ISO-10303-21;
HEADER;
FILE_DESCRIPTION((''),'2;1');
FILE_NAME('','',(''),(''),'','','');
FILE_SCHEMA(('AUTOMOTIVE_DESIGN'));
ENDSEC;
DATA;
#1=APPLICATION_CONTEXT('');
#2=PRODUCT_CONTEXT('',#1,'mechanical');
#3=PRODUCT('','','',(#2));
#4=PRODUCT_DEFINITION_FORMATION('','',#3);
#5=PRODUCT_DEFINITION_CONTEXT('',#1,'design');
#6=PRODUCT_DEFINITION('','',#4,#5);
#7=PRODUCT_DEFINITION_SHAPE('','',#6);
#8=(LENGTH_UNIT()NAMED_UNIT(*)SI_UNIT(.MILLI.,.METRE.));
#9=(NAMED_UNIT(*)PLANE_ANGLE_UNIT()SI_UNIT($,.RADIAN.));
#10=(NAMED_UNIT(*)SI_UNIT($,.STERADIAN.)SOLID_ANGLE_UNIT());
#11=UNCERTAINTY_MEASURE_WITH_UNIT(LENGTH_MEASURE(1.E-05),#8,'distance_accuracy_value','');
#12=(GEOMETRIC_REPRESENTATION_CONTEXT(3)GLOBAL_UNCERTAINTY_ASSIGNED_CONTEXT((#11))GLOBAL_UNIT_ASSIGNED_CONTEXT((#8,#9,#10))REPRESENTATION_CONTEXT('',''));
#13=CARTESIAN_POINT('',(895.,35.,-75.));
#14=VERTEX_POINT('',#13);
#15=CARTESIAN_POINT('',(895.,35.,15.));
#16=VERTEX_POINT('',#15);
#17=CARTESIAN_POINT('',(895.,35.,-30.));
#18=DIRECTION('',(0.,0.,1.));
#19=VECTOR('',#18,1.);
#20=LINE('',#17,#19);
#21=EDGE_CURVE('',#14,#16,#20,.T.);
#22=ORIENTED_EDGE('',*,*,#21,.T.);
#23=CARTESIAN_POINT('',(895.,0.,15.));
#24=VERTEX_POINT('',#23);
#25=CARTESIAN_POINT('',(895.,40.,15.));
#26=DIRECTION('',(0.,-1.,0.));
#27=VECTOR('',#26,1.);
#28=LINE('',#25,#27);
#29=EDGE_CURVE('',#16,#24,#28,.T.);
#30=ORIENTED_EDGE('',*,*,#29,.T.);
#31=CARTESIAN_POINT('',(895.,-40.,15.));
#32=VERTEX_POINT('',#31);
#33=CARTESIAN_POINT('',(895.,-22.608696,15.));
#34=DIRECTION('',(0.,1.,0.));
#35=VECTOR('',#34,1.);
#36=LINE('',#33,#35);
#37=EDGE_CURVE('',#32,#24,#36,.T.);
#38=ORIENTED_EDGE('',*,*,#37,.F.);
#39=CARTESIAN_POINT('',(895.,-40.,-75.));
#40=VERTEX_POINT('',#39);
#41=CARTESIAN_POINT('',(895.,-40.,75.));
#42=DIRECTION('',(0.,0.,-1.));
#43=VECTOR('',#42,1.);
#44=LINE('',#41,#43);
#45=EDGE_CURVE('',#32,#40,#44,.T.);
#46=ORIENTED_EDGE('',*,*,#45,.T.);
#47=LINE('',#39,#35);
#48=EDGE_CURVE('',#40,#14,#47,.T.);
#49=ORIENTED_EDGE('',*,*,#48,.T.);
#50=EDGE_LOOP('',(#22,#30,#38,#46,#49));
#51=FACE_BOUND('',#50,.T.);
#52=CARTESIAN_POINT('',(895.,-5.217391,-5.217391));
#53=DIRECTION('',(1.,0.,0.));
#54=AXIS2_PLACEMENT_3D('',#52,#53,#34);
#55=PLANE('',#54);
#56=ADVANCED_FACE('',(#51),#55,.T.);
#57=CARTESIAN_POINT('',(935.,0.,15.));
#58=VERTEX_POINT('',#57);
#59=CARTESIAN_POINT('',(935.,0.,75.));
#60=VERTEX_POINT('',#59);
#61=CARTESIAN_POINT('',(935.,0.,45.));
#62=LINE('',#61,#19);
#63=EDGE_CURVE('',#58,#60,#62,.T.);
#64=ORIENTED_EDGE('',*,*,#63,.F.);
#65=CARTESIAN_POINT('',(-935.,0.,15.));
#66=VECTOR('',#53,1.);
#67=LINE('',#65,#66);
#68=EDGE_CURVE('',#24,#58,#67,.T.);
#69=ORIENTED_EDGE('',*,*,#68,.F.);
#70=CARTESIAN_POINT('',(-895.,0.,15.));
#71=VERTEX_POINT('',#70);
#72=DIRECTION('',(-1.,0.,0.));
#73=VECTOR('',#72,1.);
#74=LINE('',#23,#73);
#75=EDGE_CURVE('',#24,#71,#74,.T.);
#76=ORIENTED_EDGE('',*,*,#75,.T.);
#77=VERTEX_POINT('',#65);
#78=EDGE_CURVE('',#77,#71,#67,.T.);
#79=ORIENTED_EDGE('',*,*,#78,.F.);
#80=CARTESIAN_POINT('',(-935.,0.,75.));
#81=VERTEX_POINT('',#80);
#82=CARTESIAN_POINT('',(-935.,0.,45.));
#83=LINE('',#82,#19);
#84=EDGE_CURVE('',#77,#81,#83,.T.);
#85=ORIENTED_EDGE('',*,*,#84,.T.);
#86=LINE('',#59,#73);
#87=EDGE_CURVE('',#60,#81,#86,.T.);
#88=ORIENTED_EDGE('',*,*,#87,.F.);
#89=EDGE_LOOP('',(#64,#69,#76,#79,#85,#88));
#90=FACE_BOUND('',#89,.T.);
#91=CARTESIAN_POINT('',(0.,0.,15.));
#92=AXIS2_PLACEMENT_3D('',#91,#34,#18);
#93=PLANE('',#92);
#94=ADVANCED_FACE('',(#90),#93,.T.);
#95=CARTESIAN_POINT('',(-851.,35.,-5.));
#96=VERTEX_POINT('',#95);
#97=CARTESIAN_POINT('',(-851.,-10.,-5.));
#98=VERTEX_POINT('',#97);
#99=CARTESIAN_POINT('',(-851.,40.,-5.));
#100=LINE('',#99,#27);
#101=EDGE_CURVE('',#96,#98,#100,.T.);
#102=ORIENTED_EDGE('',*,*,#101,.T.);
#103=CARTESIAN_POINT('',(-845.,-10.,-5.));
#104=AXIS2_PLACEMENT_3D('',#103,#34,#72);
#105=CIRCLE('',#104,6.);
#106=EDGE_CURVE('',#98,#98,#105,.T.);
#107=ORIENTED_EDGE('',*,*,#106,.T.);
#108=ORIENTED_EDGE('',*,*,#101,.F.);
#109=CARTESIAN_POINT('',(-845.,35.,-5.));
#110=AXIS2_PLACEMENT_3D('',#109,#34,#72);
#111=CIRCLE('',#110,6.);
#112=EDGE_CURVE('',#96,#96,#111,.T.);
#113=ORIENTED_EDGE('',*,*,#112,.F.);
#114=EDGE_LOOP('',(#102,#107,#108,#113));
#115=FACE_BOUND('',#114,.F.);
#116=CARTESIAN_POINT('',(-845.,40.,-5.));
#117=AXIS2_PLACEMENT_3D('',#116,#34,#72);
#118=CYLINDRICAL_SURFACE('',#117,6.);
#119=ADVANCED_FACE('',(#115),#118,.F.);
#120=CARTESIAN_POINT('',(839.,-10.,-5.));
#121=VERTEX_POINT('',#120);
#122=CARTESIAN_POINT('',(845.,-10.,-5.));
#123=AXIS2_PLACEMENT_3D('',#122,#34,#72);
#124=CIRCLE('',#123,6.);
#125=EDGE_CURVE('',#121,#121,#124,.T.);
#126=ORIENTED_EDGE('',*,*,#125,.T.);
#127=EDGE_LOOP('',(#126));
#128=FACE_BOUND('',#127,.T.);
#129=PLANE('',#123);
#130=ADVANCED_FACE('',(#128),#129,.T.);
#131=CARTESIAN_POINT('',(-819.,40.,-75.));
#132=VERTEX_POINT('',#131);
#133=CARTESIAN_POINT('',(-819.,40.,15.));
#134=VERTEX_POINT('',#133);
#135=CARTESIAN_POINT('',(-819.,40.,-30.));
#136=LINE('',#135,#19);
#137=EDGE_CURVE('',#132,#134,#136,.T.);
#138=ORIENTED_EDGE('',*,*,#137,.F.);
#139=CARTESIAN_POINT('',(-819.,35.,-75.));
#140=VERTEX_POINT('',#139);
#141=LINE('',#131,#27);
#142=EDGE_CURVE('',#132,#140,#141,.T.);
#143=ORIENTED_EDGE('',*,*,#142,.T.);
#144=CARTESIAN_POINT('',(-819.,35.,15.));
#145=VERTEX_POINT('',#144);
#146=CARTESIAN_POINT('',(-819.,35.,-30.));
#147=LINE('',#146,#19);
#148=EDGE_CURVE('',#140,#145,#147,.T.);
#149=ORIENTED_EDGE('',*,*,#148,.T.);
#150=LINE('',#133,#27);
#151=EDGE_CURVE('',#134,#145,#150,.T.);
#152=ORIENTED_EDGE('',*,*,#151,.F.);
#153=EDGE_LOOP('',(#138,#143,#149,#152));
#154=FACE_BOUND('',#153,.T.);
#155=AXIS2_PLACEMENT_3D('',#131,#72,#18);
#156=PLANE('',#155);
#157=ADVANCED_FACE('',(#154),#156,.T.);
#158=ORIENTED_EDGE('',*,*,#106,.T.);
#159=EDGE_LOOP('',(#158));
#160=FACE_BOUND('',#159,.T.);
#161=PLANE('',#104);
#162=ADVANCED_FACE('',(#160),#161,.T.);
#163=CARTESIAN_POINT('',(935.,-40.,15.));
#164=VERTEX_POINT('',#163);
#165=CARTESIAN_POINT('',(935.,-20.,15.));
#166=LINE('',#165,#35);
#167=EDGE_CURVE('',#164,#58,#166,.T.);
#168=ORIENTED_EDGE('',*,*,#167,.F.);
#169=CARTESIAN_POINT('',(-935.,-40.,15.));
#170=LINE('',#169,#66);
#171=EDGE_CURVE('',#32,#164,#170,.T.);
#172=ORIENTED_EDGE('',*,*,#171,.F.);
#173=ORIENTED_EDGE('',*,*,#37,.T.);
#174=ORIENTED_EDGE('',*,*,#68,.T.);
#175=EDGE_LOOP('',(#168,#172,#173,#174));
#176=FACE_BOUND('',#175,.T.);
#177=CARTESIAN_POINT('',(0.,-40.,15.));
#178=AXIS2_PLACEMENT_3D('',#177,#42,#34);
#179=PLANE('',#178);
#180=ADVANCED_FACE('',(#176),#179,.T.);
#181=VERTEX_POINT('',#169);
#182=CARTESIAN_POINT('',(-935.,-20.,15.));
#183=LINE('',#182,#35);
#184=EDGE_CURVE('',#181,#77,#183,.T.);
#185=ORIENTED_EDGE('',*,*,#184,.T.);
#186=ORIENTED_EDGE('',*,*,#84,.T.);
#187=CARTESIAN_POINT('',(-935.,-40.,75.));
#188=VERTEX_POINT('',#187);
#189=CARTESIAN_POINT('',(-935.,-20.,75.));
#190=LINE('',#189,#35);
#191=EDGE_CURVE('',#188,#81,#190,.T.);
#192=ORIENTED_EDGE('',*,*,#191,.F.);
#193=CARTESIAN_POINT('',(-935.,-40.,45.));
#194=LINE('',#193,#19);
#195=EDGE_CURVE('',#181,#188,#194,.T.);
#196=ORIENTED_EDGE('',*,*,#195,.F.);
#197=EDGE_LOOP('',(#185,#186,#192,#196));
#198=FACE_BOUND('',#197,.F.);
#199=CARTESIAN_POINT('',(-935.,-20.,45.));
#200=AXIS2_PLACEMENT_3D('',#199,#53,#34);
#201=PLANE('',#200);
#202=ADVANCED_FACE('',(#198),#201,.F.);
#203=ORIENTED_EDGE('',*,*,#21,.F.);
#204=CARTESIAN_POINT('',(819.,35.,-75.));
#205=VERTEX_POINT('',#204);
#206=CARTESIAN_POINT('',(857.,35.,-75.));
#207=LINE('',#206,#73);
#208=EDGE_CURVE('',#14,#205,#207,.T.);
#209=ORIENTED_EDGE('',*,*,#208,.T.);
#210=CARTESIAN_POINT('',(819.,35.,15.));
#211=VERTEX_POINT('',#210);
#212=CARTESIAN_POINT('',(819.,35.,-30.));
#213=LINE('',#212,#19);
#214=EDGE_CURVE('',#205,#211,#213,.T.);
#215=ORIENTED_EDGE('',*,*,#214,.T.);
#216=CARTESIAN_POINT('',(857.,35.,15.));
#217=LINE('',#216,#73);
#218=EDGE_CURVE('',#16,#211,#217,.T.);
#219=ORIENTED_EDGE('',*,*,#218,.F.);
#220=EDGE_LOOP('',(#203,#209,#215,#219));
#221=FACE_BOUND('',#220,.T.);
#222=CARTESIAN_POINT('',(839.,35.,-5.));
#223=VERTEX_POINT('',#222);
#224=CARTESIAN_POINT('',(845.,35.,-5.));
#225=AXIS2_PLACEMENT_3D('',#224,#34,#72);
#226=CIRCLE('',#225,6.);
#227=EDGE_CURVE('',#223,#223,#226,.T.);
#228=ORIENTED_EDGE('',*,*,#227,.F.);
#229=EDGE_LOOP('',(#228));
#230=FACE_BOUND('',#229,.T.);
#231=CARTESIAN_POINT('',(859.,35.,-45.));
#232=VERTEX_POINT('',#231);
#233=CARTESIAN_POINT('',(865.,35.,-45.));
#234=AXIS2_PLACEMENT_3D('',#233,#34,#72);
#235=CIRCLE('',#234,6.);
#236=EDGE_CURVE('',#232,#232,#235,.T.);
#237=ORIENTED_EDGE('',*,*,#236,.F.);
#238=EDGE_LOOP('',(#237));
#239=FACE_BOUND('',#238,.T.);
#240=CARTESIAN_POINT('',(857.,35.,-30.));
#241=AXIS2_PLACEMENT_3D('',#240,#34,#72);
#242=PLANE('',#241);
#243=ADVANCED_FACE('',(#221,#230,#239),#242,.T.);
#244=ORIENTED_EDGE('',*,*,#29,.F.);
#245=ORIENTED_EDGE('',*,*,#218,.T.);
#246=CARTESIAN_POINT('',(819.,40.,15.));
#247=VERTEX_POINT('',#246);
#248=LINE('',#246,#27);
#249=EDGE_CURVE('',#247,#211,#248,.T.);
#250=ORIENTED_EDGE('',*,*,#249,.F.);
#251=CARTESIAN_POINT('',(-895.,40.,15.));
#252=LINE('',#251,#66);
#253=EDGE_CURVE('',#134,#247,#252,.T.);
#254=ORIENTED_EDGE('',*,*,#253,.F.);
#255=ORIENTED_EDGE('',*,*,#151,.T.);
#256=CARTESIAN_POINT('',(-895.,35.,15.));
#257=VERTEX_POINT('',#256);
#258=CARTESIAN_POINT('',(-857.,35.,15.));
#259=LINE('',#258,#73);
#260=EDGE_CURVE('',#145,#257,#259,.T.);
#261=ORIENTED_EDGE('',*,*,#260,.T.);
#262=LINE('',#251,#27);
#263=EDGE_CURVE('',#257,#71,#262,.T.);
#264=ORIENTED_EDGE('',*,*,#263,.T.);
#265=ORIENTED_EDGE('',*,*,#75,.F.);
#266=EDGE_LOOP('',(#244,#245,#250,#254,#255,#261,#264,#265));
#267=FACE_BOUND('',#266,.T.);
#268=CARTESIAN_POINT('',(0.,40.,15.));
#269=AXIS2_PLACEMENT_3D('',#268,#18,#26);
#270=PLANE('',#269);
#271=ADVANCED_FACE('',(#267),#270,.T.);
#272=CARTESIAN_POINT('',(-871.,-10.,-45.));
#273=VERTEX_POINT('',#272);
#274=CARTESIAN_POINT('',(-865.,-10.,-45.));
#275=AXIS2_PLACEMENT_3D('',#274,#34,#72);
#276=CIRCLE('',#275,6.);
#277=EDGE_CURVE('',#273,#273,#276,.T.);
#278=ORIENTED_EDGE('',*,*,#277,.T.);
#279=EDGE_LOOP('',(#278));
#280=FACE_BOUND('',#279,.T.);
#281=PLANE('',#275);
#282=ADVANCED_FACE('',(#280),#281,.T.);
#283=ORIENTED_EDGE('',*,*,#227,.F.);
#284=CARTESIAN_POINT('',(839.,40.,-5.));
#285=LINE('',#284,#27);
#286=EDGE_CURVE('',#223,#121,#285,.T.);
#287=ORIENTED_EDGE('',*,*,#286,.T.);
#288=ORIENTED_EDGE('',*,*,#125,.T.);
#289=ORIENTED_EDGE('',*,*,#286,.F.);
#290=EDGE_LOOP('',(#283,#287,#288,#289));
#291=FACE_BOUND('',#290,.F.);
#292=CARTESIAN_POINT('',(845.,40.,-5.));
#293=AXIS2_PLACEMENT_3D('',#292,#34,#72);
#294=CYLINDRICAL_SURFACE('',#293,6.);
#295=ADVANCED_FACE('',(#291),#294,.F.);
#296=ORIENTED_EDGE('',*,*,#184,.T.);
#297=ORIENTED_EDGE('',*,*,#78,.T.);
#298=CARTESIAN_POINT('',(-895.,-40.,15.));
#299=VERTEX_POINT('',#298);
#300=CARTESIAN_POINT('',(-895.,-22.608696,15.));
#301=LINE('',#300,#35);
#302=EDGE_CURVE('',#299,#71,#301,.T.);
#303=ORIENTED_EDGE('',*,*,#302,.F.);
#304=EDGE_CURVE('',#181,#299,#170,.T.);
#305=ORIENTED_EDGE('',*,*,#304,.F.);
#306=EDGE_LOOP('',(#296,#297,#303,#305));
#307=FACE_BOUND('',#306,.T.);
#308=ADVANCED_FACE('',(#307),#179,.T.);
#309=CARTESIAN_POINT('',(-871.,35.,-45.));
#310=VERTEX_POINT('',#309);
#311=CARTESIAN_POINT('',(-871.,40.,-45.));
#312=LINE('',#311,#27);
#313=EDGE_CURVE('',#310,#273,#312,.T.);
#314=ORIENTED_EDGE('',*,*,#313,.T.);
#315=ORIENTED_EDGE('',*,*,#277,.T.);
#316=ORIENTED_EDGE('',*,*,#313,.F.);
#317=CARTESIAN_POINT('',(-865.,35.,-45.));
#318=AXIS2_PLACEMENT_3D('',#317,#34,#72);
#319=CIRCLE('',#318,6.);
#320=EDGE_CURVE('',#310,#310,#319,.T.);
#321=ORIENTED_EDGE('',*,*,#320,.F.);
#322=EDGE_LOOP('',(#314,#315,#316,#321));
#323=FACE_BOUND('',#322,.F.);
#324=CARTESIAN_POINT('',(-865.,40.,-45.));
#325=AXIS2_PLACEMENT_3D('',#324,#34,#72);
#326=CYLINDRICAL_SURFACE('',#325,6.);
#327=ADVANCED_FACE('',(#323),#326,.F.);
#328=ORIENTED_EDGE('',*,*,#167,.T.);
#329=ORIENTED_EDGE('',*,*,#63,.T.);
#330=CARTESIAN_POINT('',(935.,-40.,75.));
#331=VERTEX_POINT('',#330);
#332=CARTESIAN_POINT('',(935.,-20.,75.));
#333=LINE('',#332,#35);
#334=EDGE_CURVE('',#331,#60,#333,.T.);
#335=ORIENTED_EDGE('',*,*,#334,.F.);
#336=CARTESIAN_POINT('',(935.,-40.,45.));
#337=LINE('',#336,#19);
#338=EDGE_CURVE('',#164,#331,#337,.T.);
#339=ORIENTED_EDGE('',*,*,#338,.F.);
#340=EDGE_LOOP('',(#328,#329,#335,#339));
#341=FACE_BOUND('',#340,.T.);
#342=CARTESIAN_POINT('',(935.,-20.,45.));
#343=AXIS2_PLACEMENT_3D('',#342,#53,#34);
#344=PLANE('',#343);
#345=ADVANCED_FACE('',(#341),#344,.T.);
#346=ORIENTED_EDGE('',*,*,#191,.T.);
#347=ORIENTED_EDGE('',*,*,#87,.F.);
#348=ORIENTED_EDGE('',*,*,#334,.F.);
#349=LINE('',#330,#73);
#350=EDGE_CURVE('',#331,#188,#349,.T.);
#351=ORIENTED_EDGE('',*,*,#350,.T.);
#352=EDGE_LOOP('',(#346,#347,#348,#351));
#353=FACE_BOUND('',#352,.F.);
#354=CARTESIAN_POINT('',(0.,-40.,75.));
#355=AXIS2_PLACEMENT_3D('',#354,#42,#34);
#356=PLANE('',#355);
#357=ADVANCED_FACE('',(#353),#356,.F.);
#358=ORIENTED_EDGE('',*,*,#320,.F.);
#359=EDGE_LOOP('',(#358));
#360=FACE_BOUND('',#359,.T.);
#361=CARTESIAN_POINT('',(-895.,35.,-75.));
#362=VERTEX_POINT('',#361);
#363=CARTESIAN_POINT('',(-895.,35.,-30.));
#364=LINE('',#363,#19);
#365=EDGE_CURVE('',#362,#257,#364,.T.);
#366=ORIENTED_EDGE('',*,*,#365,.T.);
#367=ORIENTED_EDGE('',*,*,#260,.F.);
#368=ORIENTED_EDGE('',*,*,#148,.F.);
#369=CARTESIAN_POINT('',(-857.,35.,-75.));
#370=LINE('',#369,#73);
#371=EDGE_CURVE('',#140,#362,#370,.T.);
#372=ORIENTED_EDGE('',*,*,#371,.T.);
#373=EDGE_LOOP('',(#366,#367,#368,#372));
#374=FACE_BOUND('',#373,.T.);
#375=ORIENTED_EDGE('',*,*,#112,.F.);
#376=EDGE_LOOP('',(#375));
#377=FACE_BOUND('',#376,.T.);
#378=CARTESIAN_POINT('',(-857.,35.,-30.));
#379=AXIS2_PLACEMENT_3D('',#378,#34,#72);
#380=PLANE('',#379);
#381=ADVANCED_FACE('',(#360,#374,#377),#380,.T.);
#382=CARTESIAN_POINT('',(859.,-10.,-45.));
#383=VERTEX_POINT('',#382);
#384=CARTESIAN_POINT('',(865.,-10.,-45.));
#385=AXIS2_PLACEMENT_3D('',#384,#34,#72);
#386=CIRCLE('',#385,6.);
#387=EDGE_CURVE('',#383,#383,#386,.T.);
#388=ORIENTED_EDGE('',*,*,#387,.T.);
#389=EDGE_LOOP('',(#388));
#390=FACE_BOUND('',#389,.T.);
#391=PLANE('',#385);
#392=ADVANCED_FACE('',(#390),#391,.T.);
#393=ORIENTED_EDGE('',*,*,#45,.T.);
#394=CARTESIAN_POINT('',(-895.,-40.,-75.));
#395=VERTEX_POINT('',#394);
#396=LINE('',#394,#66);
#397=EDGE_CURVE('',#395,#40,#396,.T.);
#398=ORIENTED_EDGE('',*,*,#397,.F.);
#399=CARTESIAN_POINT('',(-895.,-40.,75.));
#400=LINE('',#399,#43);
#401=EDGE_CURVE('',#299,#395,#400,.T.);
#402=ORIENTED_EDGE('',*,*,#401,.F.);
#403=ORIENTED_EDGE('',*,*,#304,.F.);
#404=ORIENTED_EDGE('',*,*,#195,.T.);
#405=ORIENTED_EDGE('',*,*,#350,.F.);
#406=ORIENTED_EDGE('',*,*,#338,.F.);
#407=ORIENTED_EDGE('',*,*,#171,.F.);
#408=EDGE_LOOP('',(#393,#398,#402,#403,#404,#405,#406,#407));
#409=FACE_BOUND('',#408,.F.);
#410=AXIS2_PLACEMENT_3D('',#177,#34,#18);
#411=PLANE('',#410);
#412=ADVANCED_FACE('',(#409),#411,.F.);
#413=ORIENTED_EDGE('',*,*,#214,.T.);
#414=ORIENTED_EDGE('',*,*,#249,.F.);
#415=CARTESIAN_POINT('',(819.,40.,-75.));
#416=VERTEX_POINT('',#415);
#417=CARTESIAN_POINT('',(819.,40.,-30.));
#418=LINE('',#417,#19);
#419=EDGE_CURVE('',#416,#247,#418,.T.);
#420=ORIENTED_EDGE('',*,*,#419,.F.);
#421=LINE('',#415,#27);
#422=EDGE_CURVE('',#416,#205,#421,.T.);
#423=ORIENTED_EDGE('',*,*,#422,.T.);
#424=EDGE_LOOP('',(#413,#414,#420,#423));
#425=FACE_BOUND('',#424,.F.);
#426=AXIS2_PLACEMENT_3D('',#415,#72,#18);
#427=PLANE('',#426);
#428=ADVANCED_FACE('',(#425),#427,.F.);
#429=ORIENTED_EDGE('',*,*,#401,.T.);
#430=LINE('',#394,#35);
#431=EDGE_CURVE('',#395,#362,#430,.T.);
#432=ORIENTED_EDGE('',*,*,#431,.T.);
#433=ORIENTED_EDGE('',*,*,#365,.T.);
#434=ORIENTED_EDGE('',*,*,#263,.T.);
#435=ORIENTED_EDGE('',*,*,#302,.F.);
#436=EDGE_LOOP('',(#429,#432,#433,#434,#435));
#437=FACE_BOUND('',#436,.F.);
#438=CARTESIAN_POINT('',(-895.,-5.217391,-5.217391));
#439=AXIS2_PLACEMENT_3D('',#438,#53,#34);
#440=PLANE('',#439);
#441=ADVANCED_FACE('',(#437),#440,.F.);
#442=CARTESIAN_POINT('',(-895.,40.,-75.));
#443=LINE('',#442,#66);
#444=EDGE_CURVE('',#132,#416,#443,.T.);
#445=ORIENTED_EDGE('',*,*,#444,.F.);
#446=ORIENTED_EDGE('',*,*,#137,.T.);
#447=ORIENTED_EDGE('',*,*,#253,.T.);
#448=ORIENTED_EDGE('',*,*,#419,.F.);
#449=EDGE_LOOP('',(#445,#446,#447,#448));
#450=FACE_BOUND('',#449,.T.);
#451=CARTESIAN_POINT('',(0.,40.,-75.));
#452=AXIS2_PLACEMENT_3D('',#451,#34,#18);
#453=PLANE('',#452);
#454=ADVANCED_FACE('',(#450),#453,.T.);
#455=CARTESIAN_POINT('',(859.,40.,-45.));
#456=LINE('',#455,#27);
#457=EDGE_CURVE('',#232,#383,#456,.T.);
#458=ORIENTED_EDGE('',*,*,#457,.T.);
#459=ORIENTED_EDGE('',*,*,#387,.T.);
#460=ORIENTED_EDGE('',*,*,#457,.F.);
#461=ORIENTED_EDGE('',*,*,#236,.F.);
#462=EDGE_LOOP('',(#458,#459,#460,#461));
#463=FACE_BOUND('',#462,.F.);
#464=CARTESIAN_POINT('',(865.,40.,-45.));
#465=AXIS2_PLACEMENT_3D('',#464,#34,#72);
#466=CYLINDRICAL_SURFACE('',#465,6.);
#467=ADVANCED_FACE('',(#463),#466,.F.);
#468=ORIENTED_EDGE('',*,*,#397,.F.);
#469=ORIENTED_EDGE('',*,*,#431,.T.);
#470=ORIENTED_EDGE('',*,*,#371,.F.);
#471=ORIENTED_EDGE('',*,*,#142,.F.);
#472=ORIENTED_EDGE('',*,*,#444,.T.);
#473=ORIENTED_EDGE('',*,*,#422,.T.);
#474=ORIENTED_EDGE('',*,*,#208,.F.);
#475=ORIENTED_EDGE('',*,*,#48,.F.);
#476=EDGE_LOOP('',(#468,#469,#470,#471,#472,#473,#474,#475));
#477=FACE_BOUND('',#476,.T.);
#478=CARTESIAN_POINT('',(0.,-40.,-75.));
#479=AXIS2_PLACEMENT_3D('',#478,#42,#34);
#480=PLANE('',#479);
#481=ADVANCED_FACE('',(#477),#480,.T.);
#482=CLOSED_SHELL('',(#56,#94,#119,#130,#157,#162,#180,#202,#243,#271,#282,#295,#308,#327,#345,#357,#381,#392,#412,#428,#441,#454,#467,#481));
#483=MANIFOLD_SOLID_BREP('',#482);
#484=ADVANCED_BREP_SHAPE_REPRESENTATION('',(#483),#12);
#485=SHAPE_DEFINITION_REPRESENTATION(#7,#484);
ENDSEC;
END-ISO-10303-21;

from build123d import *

# Parameters (mm, degrees)
F3_DEPTH = 895
F4_R     = 6
F5_DEPTH = 50
F6_W     = 76
F6_H     = 90
F7_DEPTH = 5
F8_W     = 40
F8_H     = 60
F9_DEPTH = 935


with BuildPart() as f3:
    # F2 (on Right) → F3 (new body, symmetric)
    with BuildSketch(Plane.YZ):
        Polygon((-40, 75), (-40, -75), (40, -75), (40, 15), (0, 15), (0, 75), align=None)
    extrude(amount=F3_DEPTH, both=True)

    # F4 (on face) → F5 (cut)
    with BuildSketch(Plane(origin=(0, 40, 0), x_dir=(-1, 0, 0), z_dir=(0, 1, 0))):
        with Locations((-865, -45)):
            Circle(F4_R)
        with Locations((-845, -5)):
            Circle(F4_R)
        with Locations((845, -5)):
            Circle(F4_R)
        with Locations((865, -45)):
            Circle(F4_R)
    extrude(amount=-F5_DEPTH, mode=Mode.SUBTRACT)

    # F6 (on face) → F7 (cut)
    with BuildSketch(Plane(origin=(0, 40, 0), x_dir=(-1, 0, 0), z_dir=(0, 1, 0))):
        with Locations((-857, -30)):
            Rectangle(F6_W, F6_H)
        with Locations((857, -30)):
            Rectangle(F6_W, F6_H)
    extrude(amount=-F7_DEPTH, mode=Mode.SUBTRACT)

    # F8 (on Right) → F9 (join, symmetric)
    with BuildSketch(Plane.YZ):
        with Locations((-20, 45)):
            Rectangle(F8_W, F8_H)
    extrude(amount=F9_DEPTH, both=True)


solid = f3.part
